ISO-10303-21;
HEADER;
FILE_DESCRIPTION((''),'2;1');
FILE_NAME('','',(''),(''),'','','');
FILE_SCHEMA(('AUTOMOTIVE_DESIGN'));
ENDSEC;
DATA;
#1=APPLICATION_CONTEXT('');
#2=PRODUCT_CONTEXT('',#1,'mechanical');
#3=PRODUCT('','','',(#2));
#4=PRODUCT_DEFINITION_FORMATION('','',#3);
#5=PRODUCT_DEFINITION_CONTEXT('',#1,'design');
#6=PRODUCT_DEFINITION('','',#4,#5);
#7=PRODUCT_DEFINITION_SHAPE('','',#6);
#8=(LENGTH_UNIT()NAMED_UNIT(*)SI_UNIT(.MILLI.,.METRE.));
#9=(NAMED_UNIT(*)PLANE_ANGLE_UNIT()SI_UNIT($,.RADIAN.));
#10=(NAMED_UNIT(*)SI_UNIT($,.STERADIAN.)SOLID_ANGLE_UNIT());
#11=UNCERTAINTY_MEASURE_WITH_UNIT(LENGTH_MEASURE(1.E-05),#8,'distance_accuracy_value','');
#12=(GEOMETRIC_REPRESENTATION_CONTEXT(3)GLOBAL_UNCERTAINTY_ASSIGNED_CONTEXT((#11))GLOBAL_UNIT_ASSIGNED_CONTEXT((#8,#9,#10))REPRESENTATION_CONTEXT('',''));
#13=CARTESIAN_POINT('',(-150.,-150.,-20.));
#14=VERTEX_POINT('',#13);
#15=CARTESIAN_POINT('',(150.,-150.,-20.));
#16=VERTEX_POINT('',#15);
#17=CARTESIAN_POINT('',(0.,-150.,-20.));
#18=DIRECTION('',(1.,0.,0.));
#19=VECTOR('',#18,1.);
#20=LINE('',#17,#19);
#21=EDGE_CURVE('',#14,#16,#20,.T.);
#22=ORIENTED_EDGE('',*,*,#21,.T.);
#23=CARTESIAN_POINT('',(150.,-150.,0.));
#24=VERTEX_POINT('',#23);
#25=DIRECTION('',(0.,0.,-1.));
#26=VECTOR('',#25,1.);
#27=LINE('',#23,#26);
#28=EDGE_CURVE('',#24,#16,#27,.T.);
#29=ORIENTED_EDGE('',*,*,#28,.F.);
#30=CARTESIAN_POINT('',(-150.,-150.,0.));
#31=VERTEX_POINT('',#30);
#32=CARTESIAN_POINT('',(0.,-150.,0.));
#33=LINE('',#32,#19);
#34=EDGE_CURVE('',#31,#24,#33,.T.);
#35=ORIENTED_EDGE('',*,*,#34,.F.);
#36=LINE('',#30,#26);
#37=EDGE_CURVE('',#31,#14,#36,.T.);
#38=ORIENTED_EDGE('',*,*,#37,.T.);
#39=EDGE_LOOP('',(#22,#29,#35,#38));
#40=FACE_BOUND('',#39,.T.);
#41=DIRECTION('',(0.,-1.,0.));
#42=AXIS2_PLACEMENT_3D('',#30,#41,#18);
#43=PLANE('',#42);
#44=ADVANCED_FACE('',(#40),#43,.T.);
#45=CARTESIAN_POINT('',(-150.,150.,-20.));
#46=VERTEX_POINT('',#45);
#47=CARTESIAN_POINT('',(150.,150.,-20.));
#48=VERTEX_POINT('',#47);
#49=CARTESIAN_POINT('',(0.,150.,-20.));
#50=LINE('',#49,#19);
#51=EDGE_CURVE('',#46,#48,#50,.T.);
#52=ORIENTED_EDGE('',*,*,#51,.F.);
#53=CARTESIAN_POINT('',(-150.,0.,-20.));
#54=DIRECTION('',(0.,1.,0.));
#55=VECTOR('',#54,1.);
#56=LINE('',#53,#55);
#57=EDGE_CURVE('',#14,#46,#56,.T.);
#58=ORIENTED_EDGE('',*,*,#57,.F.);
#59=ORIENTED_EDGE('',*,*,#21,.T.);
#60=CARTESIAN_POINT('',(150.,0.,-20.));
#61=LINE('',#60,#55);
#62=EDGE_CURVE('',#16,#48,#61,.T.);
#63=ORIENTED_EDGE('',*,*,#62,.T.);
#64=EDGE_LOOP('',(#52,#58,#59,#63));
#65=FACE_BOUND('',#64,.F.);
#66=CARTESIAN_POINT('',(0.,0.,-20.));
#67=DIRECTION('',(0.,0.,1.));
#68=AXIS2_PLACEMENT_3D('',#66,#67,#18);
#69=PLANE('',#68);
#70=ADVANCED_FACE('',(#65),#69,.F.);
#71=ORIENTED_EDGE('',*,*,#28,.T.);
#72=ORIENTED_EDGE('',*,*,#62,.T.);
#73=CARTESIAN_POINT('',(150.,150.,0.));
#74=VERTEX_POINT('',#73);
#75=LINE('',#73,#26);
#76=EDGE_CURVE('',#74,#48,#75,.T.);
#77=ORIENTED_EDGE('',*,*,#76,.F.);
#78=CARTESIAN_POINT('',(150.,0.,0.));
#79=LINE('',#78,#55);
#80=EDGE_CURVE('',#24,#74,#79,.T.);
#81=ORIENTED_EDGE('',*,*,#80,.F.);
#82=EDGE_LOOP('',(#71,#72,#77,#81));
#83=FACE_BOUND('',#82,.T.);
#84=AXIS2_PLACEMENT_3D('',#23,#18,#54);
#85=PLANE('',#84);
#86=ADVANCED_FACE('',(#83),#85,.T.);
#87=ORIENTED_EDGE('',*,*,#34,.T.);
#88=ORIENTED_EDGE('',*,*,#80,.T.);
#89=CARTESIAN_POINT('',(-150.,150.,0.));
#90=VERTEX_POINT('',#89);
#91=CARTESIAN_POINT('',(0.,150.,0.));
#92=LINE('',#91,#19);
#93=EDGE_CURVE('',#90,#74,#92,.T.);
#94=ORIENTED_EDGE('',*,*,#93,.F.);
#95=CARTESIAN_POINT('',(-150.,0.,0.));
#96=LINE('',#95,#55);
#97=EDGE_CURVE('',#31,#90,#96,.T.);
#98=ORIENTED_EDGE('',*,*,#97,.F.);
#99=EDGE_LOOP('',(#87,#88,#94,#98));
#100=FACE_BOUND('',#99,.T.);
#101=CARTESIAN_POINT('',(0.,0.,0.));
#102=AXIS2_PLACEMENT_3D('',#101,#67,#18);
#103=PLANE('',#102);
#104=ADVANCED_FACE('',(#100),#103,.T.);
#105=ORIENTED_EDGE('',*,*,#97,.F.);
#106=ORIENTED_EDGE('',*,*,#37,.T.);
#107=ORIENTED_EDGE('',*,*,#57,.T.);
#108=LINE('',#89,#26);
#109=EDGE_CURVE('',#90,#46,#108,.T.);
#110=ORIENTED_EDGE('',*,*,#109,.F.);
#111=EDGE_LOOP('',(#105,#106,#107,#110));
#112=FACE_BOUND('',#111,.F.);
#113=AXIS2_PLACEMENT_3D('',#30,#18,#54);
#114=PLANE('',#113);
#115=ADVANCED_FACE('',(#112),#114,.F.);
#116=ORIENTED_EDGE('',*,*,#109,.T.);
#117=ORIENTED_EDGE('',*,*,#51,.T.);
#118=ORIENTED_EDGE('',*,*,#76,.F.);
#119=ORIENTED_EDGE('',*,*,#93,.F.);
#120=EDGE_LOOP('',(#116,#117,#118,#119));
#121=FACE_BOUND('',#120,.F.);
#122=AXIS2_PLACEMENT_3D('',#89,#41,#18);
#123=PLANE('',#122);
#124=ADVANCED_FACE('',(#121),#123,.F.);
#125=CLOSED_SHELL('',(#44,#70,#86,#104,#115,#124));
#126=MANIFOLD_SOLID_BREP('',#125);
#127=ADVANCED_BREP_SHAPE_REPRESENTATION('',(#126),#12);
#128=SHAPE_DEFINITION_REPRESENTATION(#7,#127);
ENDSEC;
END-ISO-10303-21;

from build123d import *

# Parameters (mm, degrees)
IZIM1_W                     = 300
IZIM1_H                     = 300
Y_KSEKLIK_EKSTR_ZYON1_DEPTH = 20


with BuildPart() as part:
    # Çizim1 → Yükseklik-Ekstrüzyon1 (new body)
    with BuildSketch(Plane.XY):
        Rectangle(IZIM1_W, IZIM1_H)
    extrude(amount=-Y_KSEKLIK_EKSTR_ZYON1_DEPTH)


solid = part.part
